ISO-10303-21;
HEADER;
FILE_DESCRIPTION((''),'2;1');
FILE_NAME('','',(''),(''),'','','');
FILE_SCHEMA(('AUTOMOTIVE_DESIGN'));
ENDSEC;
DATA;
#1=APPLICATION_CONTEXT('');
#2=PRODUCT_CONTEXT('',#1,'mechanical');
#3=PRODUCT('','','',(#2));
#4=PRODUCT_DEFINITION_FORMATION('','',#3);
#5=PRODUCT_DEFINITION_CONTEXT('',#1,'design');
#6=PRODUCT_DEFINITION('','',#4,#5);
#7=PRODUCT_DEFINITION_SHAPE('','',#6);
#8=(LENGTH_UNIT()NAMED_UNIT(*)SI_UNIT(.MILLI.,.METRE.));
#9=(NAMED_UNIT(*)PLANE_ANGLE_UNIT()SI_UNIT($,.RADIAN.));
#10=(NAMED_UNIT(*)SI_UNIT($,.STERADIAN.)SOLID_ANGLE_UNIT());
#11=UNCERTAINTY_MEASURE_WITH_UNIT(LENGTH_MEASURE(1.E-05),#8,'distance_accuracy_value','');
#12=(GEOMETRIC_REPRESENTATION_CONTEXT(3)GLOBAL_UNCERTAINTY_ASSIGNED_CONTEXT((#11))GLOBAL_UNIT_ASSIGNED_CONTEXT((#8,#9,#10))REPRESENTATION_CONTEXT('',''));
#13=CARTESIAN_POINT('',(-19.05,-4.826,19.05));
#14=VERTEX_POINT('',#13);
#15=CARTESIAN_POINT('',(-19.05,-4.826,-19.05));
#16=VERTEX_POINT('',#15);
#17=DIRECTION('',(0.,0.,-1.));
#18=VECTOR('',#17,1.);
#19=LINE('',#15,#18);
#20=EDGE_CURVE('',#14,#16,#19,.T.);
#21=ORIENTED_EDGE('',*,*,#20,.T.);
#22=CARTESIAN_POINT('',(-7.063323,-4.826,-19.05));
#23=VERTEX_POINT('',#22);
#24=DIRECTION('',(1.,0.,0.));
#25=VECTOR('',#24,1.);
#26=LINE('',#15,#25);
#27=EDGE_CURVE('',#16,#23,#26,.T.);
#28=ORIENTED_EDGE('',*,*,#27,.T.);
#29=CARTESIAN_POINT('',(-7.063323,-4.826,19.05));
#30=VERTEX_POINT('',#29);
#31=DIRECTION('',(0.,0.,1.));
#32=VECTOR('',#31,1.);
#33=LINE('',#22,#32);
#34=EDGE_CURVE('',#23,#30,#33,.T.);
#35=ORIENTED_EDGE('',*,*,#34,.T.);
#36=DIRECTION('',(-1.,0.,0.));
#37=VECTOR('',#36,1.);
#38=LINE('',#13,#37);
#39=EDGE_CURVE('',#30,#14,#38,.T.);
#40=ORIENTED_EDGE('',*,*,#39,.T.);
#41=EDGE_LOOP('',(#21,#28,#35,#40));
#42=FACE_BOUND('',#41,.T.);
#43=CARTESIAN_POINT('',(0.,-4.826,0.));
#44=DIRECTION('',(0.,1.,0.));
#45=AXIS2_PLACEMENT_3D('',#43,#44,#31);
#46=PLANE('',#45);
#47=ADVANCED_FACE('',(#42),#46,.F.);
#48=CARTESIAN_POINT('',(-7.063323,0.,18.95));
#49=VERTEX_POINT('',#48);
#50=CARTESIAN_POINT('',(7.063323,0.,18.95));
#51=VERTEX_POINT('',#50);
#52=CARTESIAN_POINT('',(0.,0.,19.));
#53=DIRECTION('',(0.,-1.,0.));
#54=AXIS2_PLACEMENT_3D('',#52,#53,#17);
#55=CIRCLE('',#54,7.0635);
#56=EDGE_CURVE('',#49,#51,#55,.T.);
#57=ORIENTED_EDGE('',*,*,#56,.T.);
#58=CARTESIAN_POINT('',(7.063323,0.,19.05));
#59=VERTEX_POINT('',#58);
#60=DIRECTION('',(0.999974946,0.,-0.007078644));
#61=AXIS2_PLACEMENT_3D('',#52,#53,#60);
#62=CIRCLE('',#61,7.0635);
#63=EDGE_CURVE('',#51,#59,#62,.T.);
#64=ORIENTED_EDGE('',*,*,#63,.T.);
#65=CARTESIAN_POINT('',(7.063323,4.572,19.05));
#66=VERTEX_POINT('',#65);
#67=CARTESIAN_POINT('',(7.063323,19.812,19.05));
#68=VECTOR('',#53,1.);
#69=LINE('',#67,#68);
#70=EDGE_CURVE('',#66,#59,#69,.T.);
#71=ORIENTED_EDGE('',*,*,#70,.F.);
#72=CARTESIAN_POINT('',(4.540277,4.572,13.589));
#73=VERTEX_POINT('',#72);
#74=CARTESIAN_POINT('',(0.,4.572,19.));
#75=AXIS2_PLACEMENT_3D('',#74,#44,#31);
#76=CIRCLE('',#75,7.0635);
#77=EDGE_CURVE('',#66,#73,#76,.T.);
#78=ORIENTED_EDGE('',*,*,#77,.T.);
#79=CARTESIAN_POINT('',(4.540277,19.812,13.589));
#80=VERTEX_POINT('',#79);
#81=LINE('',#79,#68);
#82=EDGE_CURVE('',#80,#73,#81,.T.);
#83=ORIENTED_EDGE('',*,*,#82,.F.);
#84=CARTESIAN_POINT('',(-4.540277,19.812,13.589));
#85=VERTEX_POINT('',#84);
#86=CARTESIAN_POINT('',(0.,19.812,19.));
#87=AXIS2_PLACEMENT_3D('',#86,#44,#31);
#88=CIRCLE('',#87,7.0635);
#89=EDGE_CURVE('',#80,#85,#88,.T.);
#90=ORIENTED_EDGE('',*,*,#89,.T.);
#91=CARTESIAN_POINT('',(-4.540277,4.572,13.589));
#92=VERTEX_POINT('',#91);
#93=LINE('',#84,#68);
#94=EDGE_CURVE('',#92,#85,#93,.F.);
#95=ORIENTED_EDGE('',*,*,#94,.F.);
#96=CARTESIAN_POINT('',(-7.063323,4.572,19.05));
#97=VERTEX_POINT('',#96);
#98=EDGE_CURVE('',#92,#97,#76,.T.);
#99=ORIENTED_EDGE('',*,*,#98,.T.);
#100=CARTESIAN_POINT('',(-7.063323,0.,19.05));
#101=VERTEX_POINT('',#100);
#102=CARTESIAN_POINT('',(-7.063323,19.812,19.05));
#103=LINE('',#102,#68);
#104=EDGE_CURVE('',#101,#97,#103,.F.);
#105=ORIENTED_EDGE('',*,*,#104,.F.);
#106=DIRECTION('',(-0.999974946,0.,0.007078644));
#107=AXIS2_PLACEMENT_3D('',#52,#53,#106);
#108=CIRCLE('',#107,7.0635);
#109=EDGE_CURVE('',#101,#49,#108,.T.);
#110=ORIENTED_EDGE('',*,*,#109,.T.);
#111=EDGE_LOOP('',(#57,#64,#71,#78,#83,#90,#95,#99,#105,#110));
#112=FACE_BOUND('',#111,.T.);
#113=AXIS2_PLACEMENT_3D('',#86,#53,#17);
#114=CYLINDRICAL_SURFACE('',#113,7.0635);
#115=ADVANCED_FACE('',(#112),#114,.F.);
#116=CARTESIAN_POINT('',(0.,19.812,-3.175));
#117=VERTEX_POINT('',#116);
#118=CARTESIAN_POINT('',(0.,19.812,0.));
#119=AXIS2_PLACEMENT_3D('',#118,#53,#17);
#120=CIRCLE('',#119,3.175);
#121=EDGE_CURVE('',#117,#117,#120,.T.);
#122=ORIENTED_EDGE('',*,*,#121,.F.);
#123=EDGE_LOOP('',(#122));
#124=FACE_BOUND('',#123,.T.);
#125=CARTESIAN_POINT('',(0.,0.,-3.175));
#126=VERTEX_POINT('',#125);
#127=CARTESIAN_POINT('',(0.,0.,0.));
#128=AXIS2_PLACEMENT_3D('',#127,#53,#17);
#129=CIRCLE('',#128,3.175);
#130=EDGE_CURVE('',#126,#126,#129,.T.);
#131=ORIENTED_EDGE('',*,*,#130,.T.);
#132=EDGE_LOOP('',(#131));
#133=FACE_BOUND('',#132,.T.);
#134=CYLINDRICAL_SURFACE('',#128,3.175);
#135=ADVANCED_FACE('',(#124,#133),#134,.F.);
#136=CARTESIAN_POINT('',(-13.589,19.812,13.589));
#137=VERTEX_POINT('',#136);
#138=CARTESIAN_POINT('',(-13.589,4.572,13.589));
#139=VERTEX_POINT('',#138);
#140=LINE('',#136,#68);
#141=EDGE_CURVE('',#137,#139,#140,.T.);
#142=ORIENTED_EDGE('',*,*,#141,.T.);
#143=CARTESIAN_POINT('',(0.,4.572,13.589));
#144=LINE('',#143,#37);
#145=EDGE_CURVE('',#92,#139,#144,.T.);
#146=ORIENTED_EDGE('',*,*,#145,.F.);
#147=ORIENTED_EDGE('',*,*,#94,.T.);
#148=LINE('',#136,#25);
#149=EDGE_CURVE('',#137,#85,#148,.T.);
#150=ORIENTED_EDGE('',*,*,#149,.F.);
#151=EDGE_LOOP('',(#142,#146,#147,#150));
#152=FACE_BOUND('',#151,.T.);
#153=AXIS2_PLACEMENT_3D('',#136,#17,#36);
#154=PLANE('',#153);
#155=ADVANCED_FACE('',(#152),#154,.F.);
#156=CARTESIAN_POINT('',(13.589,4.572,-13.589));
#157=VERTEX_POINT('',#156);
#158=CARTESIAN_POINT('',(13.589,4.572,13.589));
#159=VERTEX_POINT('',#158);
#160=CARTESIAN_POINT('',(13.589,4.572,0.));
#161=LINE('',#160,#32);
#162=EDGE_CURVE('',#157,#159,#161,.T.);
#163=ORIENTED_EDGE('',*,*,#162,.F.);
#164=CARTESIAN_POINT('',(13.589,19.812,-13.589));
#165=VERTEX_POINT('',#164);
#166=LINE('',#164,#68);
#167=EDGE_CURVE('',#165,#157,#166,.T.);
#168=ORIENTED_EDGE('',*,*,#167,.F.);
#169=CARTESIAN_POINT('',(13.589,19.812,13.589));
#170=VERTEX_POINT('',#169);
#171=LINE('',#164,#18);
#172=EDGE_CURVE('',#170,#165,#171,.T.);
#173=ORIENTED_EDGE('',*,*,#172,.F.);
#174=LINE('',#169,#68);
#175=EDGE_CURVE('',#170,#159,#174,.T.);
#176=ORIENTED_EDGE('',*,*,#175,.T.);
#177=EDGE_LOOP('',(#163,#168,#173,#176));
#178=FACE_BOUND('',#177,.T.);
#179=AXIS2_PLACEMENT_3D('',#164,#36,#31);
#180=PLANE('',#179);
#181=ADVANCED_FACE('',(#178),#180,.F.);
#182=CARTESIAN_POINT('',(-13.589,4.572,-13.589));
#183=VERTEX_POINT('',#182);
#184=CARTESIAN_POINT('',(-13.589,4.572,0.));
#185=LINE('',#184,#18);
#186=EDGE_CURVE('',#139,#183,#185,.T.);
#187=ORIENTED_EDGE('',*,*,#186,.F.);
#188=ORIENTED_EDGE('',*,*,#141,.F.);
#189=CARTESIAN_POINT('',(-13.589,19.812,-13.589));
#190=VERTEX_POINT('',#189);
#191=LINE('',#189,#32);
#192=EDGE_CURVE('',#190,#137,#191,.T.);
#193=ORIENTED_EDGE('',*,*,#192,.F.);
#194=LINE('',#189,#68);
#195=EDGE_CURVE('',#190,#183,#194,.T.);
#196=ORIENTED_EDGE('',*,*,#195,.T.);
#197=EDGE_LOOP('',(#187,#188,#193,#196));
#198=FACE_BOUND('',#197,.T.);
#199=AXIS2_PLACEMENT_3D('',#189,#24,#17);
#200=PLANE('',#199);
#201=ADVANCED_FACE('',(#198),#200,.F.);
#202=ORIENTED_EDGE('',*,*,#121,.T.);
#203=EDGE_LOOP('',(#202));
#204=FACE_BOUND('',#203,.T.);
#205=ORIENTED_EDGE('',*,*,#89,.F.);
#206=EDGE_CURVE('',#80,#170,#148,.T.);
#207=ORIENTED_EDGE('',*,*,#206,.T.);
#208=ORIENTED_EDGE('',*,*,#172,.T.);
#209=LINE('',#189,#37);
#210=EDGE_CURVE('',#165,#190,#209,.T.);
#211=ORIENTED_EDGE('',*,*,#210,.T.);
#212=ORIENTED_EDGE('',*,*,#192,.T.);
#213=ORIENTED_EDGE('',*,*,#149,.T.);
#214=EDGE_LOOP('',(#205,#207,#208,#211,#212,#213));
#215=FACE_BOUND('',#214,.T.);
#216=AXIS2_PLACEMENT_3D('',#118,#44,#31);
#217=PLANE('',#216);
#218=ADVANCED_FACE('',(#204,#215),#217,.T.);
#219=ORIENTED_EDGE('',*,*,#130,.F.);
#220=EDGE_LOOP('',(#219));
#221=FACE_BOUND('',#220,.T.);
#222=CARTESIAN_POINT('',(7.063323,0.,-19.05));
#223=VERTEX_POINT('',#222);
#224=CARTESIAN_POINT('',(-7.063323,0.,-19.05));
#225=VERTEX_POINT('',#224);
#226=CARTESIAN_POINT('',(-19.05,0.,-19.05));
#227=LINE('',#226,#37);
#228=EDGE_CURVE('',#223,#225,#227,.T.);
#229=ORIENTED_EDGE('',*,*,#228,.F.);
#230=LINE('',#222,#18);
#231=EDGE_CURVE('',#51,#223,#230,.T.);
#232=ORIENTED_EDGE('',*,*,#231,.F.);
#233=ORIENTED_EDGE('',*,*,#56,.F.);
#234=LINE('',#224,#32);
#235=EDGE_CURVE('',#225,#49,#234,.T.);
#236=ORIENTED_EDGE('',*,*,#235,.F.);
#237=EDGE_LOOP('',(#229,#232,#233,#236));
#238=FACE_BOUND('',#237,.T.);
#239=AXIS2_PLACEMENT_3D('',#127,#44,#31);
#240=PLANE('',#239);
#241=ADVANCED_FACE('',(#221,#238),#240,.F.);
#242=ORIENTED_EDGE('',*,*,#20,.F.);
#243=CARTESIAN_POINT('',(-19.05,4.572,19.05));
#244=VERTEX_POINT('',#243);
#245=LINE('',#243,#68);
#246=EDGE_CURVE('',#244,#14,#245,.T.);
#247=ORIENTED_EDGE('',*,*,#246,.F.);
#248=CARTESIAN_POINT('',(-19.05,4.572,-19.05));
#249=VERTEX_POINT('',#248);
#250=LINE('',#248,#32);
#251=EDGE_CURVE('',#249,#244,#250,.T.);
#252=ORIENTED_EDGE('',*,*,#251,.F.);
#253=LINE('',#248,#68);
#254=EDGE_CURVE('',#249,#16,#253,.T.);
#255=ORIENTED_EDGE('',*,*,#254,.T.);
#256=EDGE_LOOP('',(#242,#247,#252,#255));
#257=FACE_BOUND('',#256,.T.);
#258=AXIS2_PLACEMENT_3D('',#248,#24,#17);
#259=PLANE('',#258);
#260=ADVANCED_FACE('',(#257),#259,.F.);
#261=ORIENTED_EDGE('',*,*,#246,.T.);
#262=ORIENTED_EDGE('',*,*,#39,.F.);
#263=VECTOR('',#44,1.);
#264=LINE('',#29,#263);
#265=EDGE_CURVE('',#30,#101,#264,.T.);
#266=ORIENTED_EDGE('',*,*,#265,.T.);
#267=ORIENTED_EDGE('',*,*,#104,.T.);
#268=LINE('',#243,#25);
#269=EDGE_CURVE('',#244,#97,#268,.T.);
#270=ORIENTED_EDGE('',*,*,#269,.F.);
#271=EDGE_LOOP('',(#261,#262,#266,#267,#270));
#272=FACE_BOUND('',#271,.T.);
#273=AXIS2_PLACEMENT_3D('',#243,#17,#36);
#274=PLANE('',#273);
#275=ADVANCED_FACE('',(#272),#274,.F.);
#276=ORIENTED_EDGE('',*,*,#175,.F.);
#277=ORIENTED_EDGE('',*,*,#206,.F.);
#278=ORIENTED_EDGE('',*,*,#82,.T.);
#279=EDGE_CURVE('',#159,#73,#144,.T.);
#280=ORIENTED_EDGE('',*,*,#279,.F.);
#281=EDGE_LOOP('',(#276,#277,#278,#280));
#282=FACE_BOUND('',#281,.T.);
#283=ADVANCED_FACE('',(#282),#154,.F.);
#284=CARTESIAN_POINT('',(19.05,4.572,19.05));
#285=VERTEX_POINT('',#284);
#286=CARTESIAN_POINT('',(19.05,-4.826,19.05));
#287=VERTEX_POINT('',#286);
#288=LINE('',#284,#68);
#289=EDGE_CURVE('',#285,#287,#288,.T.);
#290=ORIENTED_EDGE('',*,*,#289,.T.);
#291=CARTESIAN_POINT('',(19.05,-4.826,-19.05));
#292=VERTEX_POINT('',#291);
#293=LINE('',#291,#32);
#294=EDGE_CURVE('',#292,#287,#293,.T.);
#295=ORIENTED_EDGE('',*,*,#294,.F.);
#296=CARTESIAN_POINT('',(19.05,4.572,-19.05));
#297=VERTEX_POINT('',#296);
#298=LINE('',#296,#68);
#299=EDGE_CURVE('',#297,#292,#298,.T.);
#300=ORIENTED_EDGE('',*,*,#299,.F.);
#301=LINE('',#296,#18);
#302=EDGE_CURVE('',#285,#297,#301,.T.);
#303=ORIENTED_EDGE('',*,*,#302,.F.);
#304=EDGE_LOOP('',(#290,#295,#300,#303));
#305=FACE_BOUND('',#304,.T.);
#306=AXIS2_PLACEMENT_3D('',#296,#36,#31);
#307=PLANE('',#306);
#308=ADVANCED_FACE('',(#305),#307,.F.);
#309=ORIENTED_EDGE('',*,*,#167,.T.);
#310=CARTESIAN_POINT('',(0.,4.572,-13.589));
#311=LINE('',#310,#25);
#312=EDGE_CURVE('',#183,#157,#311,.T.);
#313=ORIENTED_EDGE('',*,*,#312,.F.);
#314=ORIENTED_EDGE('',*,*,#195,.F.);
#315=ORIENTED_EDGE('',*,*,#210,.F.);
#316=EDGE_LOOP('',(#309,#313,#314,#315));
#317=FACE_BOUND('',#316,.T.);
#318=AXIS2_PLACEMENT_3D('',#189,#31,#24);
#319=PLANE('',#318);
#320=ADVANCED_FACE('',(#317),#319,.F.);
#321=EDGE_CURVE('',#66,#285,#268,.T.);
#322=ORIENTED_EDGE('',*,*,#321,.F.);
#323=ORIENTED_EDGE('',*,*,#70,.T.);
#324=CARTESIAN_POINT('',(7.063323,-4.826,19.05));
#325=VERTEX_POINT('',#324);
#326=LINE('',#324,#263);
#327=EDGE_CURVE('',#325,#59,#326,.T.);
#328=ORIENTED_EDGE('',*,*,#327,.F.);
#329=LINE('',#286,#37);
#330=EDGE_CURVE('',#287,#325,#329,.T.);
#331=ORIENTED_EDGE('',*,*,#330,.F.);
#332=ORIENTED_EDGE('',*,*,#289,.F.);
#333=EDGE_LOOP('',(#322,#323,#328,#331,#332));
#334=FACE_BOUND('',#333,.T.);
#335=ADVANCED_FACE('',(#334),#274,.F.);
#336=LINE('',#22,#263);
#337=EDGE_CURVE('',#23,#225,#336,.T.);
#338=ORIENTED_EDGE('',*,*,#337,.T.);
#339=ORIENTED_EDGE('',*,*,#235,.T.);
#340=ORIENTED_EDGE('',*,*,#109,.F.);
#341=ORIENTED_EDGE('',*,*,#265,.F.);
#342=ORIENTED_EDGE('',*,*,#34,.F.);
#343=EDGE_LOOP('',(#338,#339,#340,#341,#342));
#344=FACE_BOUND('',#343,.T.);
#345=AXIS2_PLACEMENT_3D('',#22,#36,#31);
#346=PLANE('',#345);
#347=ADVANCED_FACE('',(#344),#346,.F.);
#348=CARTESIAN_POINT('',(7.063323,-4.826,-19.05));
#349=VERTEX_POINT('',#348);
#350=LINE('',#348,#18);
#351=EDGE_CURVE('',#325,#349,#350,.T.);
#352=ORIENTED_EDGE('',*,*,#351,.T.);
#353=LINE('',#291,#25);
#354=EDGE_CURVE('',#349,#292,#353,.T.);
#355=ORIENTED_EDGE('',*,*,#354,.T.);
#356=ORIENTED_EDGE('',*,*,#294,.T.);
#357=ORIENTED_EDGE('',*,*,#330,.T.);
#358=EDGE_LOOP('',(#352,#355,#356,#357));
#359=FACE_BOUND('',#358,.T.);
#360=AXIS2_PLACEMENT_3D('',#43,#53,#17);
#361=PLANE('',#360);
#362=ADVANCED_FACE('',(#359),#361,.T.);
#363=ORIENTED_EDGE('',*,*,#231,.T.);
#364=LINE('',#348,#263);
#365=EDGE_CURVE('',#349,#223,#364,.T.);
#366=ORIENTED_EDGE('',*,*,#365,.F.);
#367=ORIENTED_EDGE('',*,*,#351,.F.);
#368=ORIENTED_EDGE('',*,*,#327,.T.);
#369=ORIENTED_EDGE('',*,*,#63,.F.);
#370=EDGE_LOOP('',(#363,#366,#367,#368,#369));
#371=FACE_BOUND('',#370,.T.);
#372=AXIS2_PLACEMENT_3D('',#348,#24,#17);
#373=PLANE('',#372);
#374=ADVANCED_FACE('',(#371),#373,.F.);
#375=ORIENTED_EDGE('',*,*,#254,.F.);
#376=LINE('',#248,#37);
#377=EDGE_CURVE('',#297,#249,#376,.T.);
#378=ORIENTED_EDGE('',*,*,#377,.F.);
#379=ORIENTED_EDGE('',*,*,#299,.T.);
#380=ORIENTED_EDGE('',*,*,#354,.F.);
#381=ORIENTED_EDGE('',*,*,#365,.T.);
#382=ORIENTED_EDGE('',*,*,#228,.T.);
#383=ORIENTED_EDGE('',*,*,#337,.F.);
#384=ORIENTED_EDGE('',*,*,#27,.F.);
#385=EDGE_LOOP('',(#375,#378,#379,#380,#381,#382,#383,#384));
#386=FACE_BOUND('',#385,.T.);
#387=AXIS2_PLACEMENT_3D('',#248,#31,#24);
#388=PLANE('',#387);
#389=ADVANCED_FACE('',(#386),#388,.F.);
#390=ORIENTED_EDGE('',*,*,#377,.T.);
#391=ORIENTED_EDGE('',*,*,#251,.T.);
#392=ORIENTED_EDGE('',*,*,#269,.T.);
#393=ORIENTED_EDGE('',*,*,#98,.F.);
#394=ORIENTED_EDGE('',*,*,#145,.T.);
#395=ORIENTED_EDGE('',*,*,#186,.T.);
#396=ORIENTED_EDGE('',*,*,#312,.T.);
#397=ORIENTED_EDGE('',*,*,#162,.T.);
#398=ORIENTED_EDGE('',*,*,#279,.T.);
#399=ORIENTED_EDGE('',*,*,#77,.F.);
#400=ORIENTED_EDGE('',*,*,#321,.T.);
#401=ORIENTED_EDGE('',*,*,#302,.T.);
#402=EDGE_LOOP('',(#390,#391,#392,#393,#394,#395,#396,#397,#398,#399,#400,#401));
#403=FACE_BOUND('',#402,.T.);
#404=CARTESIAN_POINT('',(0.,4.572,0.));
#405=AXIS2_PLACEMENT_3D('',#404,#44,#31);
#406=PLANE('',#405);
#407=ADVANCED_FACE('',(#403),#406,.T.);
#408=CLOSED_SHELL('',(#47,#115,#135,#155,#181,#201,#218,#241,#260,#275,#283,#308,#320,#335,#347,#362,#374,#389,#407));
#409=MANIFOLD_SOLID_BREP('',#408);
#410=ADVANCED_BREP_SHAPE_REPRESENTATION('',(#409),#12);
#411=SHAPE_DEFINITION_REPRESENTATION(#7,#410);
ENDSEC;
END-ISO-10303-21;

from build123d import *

# Parameters (mm, degrees)
SKETCH1_W               = 38.1
SKETCH1_H               = 38.1
BOSS_EXTRUDE1_DEPTH     = 4.572
SKETCH5_W               = 27.178
SKETCH5_H               = 27.178
BOSS_EXTRUDE2_DEPTH     = 19.812
SKETCH2_R               = 7.06349997
CUT_EXTRUDE1_DEPTH      = 20.812
F_1_4_20_TAPPED_HOLE1_D = 6.35
SKETCH6_W               = 11.986676998
SKETCH6_H               = 38.1
BOSS_EXTRUDE3_DEPTH     = 4.826


with BuildPart() as part:
    # Sketch1 → Boss-Extrude1 (new body)
    with BuildSketch(Plane(origin=(0, 0, 0), x_dir=(1, 0, 0), z_dir=(0, 1, 0))):
        Rectangle(SKETCH1_W, SKETCH1_H)
    extrude(amount=BOSS_EXTRUDE1_DEPTH)

    # Sketch5 → Boss-Extrude2 (add)
    with BuildSketch(Plane(origin=(0, 0, 0), x_dir=(1, 0, 0), z_dir=(0, 1, 0))):
        Rectangle(SKETCH5_W, SKETCH5_H)
    extrude(amount=BOSS_EXTRUDE2_DEPTH)

    # Sketch2 → Cut-Extrude1 (cut, through all)
    with BuildSketch(Plane.XZ):
        with Locations((0, 19)):
            Circle(SKETCH2_R)
    extrude(amount=-CUT_EXTRUDE1_DEPTH, mode=Mode.SUBTRACT)

    # 1/4-20 Tapped Hole1 (through all)
    with Locations(Plane(origin=(0, 0, 0), x_dir=(-1, 0, 0), z_dir=(0, -1, 0))):
        with Locations((0, 0)):
            Hole(F_1_4_20_TAPPED_HOLE1_D / 2)

    # Sketch6 → Boss-Extrude3 (add)
    with BuildSketch(Plane.XZ):
        with Locations((13.056661501, 0)):
            Rectangle(SKETCH6_W, SKETCH6_H)
        with Locations((-13.056661501, 0)):
            Rectangle(SKETCH6_W, SKETCH6_H)
    extrude(amount=BOSS_EXTRUDE3_DEPTH)


solid = part.part
